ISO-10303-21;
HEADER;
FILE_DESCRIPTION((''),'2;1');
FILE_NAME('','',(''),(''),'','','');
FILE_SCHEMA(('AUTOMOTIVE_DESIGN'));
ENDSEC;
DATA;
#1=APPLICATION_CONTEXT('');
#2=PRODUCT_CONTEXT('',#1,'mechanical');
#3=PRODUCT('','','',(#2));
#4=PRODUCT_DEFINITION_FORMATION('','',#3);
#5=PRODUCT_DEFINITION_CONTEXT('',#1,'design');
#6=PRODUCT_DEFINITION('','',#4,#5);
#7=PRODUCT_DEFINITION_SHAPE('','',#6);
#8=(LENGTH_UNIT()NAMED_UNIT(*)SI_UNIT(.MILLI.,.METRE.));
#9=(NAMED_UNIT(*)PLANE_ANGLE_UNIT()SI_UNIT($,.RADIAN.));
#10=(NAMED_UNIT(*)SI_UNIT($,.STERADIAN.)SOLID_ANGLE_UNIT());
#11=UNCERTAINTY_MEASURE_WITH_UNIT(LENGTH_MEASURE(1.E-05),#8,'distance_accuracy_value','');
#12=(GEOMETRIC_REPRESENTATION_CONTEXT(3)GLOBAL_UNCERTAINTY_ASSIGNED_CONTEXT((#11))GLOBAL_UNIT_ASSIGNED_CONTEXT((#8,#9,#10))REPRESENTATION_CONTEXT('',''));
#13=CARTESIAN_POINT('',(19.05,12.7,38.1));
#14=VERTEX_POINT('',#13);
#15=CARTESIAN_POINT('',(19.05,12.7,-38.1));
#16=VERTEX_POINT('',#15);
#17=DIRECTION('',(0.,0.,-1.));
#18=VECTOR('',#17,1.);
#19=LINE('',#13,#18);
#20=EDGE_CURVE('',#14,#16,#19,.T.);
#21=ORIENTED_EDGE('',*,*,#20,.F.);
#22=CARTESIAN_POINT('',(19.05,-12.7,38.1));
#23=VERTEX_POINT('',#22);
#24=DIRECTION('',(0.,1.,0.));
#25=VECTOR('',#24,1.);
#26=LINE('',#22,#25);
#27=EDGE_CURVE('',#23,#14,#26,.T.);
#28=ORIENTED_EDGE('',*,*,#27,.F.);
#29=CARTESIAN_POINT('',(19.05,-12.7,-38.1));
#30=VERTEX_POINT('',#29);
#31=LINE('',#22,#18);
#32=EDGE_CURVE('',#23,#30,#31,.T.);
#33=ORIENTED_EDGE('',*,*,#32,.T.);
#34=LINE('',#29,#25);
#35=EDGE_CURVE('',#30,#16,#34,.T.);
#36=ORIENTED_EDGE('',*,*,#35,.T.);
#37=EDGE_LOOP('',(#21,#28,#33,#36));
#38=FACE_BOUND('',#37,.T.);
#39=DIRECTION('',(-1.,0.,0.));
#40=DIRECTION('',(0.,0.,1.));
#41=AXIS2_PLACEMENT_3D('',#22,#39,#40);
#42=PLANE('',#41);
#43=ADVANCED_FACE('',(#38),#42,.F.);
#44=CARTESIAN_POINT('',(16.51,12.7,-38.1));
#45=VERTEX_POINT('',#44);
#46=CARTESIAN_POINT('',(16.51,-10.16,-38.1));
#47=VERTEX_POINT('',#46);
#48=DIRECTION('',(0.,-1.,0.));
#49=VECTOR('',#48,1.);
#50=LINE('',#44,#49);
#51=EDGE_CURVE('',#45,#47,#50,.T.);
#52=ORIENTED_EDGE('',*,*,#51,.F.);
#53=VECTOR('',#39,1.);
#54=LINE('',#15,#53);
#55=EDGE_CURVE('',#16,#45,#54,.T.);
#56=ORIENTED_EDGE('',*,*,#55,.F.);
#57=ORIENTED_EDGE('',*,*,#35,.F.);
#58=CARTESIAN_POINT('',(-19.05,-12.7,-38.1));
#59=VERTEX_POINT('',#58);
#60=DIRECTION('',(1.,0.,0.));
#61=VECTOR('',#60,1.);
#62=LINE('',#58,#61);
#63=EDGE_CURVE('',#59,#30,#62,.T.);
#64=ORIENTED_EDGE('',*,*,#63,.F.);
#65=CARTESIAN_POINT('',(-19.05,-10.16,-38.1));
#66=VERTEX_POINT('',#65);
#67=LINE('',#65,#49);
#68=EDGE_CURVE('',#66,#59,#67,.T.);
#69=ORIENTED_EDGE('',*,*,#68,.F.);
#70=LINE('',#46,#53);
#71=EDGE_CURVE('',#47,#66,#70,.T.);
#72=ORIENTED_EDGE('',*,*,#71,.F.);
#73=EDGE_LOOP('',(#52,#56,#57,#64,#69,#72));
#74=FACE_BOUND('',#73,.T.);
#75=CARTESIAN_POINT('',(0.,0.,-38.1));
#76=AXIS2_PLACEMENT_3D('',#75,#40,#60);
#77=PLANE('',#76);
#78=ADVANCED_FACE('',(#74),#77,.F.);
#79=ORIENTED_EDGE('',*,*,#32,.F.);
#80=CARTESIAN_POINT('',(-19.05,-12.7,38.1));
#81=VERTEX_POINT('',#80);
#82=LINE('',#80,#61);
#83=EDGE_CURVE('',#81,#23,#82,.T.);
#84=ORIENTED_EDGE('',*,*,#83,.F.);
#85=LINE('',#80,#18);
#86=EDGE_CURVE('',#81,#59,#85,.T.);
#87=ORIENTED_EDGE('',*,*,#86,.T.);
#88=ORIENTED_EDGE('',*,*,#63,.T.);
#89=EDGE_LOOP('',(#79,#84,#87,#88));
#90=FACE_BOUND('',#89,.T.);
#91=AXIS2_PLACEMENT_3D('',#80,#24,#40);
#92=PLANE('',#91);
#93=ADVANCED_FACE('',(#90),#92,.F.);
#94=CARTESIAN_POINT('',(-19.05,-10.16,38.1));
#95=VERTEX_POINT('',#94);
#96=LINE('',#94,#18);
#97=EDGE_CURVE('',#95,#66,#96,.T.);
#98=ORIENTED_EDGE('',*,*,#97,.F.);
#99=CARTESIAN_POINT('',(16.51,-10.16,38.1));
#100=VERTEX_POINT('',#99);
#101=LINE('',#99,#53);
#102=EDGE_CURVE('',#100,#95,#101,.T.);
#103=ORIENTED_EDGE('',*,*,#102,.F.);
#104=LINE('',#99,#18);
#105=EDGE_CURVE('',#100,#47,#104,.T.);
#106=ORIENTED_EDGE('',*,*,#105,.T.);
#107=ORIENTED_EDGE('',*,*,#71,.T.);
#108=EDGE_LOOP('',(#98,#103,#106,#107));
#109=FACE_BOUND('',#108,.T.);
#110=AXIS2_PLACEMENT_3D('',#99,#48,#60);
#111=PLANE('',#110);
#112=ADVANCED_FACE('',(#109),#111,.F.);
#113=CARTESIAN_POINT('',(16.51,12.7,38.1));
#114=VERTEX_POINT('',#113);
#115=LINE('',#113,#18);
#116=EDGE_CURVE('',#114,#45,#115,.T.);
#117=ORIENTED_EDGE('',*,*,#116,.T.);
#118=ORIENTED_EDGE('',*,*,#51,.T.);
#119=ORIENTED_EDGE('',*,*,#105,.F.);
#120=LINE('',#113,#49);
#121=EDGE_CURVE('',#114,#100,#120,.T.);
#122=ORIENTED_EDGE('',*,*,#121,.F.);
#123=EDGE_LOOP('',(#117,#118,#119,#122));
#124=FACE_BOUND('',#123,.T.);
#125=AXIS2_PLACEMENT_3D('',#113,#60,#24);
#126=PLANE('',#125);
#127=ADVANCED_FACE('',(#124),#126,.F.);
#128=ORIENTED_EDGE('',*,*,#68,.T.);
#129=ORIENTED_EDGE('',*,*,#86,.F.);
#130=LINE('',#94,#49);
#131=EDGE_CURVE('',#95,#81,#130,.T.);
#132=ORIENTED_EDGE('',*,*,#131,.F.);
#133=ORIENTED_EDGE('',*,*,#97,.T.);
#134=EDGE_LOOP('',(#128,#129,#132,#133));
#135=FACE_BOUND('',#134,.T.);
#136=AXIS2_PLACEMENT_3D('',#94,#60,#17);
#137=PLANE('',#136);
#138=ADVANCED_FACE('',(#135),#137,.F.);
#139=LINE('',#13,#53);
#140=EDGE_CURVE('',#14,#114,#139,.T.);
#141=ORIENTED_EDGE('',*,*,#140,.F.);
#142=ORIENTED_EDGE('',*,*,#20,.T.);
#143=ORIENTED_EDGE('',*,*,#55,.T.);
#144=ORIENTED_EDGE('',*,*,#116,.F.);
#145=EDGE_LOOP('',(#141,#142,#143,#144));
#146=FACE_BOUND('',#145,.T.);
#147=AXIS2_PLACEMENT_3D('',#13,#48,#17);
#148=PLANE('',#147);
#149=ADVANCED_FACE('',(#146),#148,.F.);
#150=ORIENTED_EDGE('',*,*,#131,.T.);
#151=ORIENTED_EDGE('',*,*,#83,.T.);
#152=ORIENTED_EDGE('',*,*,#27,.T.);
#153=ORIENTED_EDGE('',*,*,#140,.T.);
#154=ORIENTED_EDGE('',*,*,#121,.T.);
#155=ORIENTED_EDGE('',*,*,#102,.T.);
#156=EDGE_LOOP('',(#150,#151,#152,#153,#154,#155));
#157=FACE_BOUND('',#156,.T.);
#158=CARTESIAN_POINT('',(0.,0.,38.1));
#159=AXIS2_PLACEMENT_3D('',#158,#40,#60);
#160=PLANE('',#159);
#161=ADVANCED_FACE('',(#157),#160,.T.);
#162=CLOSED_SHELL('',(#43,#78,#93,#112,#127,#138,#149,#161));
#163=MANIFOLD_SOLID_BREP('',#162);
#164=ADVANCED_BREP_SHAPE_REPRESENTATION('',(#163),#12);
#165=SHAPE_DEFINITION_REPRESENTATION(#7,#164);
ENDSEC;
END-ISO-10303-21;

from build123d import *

# Parameters (mm, degrees)
BOSS_EXTRUDE2_DEPTH = 38.1


with BuildPart() as part:
    # Sketch1 → Boss-Extrude2 (new, symmetric)
    with BuildSketch(Plane.XY):
        Polygon((16.51, 12.7), (16.51, -10.16), (-19.05, -10.16), (-19.05, -12.7), (19.05, -12.7), (19.05, 12.7), align=None)
    extrude(amount=BOSS_EXTRUDE2_DEPTH, both=True)


solid = part.part
